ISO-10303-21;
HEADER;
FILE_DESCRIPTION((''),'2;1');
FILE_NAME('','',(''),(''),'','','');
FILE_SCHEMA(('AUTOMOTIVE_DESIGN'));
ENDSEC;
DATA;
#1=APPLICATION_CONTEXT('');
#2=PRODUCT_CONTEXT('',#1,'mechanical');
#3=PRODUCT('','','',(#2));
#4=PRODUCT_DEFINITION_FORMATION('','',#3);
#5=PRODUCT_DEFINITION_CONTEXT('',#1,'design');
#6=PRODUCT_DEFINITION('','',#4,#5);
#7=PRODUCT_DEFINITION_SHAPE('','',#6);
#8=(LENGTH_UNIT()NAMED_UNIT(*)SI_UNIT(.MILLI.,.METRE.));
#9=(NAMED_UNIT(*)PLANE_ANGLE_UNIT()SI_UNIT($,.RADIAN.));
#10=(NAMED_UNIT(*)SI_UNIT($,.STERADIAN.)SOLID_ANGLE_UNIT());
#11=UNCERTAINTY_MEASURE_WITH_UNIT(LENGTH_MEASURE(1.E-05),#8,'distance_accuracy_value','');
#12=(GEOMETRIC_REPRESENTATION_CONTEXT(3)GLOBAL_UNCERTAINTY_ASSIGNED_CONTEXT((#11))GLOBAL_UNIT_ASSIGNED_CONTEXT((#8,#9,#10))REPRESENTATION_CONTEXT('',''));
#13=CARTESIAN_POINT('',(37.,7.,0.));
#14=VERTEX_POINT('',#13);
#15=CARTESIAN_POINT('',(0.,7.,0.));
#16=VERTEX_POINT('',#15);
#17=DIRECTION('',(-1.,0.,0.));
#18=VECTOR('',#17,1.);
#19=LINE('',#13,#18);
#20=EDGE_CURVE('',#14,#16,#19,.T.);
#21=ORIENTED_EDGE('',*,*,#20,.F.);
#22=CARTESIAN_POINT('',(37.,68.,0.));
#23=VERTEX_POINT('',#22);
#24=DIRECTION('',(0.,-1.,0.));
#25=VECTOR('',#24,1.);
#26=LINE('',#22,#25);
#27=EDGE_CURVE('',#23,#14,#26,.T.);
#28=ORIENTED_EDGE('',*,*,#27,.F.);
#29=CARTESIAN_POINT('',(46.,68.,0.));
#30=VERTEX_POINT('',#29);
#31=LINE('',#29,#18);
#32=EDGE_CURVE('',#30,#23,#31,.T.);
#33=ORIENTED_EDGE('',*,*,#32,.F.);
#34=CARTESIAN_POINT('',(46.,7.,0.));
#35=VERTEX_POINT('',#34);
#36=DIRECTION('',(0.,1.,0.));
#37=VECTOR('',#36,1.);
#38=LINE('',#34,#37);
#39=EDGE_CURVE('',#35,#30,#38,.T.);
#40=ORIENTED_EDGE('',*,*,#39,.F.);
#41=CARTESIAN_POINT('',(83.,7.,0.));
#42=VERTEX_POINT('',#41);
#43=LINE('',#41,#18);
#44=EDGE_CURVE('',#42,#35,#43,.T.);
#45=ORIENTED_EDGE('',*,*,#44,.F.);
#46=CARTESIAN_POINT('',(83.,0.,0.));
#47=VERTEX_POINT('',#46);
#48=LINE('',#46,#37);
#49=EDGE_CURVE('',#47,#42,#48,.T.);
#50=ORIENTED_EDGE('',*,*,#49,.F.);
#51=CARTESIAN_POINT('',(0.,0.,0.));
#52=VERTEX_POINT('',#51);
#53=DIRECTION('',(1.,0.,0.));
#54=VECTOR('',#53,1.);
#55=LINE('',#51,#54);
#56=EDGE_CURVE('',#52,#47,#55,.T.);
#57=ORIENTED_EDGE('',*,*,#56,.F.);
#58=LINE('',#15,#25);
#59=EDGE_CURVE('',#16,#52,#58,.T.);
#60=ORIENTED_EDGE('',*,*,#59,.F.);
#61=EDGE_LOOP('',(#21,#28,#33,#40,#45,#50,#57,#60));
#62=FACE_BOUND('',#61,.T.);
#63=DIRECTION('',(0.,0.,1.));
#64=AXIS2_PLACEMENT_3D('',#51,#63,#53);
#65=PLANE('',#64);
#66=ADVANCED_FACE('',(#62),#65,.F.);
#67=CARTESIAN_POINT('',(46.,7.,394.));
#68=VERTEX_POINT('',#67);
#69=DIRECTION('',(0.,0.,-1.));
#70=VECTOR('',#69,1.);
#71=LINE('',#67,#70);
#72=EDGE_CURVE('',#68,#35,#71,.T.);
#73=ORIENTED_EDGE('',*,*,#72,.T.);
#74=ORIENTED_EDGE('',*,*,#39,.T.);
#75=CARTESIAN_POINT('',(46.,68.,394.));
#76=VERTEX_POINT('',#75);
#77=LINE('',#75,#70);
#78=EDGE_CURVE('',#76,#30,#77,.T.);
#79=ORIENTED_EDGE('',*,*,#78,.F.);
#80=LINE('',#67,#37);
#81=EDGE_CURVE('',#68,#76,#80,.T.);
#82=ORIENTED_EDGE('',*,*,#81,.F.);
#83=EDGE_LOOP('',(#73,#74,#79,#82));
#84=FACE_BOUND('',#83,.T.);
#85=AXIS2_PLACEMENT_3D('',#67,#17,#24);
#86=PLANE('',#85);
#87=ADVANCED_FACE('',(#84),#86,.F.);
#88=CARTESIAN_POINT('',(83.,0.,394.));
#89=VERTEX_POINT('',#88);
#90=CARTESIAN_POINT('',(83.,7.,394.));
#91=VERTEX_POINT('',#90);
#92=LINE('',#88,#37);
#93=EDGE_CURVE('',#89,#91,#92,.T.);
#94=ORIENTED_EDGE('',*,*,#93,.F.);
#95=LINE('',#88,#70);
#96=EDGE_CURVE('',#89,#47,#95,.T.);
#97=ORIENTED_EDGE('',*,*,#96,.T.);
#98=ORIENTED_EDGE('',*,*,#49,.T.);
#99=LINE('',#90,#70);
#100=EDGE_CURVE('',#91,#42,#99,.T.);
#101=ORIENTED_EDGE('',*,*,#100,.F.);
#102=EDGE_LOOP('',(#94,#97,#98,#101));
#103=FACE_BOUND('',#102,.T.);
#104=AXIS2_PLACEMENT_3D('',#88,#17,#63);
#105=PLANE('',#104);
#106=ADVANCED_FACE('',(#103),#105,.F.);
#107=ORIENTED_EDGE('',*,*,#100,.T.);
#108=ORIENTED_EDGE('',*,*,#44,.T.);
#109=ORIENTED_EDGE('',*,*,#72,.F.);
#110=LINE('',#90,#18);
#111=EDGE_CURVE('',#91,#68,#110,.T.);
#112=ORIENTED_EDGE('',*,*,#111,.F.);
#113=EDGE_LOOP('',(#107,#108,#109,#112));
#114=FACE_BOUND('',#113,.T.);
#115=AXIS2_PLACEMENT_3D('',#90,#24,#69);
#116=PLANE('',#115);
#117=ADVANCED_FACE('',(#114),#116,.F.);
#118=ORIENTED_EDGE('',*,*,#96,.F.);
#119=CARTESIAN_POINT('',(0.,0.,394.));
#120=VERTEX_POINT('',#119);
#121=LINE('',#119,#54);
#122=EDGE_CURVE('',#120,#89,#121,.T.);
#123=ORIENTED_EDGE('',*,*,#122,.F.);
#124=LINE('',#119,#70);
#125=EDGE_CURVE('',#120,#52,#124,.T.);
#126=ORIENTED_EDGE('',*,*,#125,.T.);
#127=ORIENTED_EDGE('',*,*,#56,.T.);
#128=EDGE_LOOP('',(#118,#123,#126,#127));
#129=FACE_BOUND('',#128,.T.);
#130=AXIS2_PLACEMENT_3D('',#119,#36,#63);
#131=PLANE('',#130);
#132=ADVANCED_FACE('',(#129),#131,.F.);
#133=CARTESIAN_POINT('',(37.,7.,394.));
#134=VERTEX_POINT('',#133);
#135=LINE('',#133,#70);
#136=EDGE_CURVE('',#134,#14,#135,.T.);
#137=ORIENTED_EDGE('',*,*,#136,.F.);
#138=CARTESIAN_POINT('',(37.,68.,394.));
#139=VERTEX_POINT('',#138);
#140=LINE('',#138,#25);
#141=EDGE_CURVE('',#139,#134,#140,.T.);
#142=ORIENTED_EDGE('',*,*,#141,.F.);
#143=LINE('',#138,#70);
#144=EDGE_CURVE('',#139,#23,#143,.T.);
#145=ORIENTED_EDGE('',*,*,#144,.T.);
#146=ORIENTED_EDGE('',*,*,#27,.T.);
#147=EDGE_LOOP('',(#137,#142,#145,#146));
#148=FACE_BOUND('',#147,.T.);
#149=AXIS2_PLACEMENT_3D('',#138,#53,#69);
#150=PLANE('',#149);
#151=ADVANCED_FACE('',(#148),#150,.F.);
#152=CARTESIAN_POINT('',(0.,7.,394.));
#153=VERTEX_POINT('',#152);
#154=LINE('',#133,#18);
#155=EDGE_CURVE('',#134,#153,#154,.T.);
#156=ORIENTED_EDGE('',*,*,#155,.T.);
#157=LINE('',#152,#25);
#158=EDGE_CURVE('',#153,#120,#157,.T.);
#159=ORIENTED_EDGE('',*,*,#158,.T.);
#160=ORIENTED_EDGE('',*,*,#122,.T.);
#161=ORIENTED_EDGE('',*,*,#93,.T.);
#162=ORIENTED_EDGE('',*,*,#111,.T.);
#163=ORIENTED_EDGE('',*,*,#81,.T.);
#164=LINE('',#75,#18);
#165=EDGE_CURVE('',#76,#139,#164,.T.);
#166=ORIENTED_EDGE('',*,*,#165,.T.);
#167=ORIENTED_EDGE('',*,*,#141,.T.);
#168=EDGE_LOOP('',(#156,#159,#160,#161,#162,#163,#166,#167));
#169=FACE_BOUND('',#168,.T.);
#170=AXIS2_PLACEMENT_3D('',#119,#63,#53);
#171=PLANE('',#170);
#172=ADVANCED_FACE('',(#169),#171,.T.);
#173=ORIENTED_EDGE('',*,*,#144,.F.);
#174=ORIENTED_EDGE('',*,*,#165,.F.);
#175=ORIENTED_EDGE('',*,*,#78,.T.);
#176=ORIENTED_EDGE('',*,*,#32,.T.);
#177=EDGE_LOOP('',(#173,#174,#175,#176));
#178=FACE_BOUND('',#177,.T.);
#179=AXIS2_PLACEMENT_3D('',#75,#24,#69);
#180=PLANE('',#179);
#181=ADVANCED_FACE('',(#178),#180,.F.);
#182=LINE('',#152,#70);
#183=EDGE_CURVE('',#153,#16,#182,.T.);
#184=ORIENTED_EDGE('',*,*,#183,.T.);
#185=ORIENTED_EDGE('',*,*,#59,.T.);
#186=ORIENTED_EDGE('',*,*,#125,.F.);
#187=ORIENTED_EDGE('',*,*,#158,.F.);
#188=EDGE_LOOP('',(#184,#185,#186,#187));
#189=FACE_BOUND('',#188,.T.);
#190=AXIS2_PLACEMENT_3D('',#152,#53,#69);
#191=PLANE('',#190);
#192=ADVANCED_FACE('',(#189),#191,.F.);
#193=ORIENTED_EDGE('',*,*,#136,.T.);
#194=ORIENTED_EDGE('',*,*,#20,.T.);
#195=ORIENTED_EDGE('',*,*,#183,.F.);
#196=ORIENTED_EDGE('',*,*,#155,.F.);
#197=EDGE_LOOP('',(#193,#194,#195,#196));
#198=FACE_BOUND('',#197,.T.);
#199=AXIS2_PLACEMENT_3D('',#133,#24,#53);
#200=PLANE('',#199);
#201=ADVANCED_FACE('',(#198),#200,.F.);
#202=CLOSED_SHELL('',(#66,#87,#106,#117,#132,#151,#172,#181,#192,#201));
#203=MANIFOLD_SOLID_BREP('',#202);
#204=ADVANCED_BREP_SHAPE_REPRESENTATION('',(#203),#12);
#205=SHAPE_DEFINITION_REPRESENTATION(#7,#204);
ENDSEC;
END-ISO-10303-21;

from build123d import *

# Parameters (mm, degrees)
BOSS_EXTRU_1_DEPTH = 394


with BuildPart() as part:
    # Esquisse1 → Boss.-Extru.1 (new body)
    with BuildSketch(Plane.XY):
        Polygon((0, 0), (83, 0), (83, 7), (46, 7), (46, 68), (37, 68), (37, 7), (0, 7), align=None)
    extrude(amount=BOSS_EXTRU_1_DEPTH)


solid = part.part
